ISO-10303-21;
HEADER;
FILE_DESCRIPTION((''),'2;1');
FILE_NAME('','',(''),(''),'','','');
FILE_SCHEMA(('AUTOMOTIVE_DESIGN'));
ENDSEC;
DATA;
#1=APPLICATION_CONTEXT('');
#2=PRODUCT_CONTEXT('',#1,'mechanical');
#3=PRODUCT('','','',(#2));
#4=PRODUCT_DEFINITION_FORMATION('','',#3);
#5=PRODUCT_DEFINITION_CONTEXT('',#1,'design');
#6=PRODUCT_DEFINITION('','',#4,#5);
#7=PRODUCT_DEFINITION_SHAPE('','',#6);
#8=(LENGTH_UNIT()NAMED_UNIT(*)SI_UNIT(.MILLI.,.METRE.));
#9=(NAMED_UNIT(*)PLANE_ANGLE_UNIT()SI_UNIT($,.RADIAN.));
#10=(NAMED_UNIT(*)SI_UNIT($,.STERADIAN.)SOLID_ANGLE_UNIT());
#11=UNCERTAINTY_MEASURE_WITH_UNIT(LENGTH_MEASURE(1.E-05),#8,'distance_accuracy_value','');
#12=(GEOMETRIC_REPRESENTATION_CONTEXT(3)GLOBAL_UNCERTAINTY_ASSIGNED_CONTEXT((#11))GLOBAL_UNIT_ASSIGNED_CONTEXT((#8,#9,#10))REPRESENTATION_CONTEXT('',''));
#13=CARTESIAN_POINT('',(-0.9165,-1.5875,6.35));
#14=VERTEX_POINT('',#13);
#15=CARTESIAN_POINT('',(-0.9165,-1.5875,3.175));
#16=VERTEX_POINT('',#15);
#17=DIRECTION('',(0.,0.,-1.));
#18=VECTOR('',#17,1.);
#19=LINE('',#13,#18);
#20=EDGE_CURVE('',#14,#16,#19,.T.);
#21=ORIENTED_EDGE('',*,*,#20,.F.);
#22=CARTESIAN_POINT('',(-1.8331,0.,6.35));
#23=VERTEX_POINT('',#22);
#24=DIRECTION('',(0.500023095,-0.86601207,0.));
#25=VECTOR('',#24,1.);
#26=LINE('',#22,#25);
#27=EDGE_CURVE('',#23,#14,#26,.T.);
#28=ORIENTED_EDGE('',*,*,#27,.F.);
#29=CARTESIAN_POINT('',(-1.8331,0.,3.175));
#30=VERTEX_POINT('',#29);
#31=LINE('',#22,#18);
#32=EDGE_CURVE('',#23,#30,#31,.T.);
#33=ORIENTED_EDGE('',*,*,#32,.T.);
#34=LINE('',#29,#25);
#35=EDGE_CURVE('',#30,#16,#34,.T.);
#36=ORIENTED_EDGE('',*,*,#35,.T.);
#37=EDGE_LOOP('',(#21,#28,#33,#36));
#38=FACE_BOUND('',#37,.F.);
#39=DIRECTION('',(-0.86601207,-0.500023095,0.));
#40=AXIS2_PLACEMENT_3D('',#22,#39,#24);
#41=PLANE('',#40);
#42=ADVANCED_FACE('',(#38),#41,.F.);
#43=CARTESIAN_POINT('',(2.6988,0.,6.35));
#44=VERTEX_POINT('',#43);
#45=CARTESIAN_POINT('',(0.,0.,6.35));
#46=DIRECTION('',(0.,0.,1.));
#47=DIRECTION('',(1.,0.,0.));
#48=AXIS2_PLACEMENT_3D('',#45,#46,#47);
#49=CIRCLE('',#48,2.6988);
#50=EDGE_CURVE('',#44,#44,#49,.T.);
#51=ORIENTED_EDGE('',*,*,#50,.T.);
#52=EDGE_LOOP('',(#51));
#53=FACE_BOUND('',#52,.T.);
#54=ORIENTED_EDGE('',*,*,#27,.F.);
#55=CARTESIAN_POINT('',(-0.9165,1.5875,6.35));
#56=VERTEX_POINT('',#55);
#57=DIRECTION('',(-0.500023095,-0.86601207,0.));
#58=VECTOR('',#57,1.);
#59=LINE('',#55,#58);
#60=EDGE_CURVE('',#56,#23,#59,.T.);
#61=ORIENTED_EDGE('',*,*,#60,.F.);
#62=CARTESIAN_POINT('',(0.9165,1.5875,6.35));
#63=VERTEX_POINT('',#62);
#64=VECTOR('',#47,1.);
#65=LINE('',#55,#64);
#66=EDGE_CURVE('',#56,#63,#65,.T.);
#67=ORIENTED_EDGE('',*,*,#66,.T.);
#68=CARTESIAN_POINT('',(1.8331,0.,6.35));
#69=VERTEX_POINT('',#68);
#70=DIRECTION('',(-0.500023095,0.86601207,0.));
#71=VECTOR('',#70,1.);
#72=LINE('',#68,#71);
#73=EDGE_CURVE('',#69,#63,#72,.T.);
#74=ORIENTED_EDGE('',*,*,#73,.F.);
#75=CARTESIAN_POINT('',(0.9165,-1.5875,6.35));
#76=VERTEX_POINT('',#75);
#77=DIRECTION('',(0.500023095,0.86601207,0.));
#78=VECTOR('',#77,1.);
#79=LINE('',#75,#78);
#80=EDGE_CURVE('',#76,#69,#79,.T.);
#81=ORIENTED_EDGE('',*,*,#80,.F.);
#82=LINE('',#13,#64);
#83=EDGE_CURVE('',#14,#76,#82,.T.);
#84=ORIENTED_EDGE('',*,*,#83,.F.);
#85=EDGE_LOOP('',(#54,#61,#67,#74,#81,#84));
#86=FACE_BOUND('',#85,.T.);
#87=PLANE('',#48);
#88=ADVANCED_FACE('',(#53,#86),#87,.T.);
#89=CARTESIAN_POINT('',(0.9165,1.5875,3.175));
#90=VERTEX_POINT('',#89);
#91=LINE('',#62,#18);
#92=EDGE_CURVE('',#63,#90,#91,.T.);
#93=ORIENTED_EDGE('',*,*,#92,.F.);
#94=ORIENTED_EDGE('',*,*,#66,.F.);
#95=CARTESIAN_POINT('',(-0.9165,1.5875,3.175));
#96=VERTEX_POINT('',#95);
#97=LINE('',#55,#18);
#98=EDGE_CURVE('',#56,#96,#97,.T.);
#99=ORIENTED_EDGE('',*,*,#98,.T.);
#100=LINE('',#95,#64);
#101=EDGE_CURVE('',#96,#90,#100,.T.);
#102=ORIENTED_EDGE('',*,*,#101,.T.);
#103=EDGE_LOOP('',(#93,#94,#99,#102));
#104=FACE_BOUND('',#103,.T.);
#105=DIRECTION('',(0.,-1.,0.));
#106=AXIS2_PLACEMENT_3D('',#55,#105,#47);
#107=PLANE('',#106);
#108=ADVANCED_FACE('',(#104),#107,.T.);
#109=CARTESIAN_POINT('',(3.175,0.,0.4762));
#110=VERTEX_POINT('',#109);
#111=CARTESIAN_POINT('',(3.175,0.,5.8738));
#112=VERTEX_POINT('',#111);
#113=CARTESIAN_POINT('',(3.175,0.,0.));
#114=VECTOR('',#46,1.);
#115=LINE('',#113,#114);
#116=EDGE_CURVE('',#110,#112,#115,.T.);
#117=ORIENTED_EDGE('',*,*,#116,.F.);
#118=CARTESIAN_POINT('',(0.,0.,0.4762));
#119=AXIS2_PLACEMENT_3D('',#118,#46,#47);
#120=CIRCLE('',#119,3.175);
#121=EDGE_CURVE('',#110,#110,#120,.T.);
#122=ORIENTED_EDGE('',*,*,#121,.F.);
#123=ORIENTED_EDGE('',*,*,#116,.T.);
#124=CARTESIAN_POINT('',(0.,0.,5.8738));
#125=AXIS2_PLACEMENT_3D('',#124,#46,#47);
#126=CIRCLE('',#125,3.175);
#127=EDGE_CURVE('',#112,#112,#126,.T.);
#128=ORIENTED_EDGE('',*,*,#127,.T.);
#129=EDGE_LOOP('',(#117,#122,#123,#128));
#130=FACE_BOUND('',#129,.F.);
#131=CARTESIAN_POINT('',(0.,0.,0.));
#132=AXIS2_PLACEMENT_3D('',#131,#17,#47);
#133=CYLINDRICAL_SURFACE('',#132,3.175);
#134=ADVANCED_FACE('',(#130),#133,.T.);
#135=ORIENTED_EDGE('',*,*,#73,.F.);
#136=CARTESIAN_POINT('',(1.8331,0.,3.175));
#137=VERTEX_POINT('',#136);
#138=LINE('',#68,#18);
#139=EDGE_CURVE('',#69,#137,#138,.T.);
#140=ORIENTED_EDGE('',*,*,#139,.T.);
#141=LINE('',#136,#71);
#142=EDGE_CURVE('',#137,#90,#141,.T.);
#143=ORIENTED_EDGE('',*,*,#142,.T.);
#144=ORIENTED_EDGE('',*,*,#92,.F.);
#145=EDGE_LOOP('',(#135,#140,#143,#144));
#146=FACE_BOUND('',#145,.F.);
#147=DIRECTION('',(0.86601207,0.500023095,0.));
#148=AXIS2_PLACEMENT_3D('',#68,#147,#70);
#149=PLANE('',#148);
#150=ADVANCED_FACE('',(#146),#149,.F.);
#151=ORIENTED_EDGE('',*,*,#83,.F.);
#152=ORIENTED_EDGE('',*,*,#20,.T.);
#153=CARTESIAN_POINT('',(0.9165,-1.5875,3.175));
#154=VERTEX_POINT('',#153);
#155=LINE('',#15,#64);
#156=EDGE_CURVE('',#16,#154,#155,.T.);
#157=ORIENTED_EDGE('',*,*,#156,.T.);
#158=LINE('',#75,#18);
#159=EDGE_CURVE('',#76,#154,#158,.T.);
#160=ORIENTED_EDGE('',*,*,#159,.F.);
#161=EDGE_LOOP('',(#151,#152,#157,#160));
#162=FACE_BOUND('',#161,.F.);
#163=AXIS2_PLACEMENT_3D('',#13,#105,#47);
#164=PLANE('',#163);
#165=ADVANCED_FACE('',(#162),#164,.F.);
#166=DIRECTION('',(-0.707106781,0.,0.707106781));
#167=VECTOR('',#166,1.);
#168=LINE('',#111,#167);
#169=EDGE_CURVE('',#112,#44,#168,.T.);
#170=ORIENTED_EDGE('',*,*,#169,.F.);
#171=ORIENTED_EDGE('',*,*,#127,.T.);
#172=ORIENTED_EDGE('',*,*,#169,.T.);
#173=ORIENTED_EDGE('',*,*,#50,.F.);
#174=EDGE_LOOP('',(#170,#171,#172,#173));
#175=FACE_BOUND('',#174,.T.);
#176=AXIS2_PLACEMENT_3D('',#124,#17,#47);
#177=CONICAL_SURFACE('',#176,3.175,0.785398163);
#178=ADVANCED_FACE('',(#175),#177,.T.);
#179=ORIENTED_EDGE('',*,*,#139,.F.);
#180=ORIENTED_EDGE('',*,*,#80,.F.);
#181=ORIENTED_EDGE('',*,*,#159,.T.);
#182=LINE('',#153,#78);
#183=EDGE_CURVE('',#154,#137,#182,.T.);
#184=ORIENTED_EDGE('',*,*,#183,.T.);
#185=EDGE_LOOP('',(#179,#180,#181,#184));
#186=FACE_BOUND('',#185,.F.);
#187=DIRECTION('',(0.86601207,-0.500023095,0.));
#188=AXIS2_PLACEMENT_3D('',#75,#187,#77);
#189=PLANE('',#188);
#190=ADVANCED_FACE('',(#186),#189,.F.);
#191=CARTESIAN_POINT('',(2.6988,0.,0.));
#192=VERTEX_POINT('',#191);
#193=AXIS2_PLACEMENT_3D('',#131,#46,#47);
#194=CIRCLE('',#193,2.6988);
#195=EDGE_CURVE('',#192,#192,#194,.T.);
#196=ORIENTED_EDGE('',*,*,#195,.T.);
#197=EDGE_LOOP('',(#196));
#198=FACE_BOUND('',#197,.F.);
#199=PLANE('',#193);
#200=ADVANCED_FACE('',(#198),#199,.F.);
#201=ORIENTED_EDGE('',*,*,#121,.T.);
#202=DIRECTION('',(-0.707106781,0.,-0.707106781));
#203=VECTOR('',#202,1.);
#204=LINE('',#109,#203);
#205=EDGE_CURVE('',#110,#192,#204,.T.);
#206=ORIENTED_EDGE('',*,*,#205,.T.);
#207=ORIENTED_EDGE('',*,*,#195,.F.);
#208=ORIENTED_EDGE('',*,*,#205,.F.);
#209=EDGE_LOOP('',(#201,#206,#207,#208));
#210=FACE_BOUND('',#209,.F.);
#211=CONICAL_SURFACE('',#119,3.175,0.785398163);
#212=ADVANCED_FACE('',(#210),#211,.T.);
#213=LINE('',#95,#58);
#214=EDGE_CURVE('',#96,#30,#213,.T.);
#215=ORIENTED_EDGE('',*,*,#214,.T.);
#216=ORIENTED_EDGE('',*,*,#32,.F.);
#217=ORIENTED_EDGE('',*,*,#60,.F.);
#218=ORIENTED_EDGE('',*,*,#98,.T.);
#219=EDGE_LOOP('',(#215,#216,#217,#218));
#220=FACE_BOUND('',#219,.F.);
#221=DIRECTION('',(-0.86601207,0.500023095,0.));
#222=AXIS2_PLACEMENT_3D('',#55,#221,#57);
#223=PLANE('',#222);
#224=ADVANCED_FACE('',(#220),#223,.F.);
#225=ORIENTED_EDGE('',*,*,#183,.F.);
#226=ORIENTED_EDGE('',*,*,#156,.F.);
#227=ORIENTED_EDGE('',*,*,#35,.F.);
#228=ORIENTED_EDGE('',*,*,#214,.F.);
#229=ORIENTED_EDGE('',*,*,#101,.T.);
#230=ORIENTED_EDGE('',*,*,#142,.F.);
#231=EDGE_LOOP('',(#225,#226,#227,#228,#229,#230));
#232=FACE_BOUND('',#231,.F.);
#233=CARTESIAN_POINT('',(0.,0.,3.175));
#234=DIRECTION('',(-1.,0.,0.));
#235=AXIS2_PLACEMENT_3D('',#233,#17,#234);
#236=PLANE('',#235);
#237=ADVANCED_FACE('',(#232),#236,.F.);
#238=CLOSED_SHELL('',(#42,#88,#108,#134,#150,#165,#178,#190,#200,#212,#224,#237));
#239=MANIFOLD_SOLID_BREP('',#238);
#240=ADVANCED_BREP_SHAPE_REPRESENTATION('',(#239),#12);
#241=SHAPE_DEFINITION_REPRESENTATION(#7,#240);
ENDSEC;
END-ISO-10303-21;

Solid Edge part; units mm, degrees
sketch "Sketch1" plane through (0, 0, 0) normal (0, 0, 1) x (1, 0, 0)
  circle A0 centre (0, 0) radius 3.175
  dimension "D1" = 6.35
extrude "Protrusion1" add sketch "Sketch1" along normal blind 6.35
chamfer "Chamfer1" distance 0.4762 angle 45 2 edges at (-3.175, 0, 0) (-3.175, 0, 6.35)
sketch "Sketch2" plane through (0, 0, 6.35) normal (0, 0, 1) x (1, 0, 0)
  line L0 (-0.9165, 1.5875) -> (0.9165, 1.5875)
  line L1 (1.8331, 0) -> (0.9165, 1.5875)
  line L2 (0.9165, -1.5875) -> (1.8331, 0)
  line L3 (-0.9165, -1.5875) -> (0.9165, -1.5875)
  line L4 (-1.8331, 0) -> (-0.9165, -1.5875)
  line L5 (-0.9165, 1.5875) -> (-1.8331, 0)
  dimension "D1" = 3.175
extrude "Cutout1" cut sketch "Sketch2" against normal blind 3.175
properties part number "24100599"
